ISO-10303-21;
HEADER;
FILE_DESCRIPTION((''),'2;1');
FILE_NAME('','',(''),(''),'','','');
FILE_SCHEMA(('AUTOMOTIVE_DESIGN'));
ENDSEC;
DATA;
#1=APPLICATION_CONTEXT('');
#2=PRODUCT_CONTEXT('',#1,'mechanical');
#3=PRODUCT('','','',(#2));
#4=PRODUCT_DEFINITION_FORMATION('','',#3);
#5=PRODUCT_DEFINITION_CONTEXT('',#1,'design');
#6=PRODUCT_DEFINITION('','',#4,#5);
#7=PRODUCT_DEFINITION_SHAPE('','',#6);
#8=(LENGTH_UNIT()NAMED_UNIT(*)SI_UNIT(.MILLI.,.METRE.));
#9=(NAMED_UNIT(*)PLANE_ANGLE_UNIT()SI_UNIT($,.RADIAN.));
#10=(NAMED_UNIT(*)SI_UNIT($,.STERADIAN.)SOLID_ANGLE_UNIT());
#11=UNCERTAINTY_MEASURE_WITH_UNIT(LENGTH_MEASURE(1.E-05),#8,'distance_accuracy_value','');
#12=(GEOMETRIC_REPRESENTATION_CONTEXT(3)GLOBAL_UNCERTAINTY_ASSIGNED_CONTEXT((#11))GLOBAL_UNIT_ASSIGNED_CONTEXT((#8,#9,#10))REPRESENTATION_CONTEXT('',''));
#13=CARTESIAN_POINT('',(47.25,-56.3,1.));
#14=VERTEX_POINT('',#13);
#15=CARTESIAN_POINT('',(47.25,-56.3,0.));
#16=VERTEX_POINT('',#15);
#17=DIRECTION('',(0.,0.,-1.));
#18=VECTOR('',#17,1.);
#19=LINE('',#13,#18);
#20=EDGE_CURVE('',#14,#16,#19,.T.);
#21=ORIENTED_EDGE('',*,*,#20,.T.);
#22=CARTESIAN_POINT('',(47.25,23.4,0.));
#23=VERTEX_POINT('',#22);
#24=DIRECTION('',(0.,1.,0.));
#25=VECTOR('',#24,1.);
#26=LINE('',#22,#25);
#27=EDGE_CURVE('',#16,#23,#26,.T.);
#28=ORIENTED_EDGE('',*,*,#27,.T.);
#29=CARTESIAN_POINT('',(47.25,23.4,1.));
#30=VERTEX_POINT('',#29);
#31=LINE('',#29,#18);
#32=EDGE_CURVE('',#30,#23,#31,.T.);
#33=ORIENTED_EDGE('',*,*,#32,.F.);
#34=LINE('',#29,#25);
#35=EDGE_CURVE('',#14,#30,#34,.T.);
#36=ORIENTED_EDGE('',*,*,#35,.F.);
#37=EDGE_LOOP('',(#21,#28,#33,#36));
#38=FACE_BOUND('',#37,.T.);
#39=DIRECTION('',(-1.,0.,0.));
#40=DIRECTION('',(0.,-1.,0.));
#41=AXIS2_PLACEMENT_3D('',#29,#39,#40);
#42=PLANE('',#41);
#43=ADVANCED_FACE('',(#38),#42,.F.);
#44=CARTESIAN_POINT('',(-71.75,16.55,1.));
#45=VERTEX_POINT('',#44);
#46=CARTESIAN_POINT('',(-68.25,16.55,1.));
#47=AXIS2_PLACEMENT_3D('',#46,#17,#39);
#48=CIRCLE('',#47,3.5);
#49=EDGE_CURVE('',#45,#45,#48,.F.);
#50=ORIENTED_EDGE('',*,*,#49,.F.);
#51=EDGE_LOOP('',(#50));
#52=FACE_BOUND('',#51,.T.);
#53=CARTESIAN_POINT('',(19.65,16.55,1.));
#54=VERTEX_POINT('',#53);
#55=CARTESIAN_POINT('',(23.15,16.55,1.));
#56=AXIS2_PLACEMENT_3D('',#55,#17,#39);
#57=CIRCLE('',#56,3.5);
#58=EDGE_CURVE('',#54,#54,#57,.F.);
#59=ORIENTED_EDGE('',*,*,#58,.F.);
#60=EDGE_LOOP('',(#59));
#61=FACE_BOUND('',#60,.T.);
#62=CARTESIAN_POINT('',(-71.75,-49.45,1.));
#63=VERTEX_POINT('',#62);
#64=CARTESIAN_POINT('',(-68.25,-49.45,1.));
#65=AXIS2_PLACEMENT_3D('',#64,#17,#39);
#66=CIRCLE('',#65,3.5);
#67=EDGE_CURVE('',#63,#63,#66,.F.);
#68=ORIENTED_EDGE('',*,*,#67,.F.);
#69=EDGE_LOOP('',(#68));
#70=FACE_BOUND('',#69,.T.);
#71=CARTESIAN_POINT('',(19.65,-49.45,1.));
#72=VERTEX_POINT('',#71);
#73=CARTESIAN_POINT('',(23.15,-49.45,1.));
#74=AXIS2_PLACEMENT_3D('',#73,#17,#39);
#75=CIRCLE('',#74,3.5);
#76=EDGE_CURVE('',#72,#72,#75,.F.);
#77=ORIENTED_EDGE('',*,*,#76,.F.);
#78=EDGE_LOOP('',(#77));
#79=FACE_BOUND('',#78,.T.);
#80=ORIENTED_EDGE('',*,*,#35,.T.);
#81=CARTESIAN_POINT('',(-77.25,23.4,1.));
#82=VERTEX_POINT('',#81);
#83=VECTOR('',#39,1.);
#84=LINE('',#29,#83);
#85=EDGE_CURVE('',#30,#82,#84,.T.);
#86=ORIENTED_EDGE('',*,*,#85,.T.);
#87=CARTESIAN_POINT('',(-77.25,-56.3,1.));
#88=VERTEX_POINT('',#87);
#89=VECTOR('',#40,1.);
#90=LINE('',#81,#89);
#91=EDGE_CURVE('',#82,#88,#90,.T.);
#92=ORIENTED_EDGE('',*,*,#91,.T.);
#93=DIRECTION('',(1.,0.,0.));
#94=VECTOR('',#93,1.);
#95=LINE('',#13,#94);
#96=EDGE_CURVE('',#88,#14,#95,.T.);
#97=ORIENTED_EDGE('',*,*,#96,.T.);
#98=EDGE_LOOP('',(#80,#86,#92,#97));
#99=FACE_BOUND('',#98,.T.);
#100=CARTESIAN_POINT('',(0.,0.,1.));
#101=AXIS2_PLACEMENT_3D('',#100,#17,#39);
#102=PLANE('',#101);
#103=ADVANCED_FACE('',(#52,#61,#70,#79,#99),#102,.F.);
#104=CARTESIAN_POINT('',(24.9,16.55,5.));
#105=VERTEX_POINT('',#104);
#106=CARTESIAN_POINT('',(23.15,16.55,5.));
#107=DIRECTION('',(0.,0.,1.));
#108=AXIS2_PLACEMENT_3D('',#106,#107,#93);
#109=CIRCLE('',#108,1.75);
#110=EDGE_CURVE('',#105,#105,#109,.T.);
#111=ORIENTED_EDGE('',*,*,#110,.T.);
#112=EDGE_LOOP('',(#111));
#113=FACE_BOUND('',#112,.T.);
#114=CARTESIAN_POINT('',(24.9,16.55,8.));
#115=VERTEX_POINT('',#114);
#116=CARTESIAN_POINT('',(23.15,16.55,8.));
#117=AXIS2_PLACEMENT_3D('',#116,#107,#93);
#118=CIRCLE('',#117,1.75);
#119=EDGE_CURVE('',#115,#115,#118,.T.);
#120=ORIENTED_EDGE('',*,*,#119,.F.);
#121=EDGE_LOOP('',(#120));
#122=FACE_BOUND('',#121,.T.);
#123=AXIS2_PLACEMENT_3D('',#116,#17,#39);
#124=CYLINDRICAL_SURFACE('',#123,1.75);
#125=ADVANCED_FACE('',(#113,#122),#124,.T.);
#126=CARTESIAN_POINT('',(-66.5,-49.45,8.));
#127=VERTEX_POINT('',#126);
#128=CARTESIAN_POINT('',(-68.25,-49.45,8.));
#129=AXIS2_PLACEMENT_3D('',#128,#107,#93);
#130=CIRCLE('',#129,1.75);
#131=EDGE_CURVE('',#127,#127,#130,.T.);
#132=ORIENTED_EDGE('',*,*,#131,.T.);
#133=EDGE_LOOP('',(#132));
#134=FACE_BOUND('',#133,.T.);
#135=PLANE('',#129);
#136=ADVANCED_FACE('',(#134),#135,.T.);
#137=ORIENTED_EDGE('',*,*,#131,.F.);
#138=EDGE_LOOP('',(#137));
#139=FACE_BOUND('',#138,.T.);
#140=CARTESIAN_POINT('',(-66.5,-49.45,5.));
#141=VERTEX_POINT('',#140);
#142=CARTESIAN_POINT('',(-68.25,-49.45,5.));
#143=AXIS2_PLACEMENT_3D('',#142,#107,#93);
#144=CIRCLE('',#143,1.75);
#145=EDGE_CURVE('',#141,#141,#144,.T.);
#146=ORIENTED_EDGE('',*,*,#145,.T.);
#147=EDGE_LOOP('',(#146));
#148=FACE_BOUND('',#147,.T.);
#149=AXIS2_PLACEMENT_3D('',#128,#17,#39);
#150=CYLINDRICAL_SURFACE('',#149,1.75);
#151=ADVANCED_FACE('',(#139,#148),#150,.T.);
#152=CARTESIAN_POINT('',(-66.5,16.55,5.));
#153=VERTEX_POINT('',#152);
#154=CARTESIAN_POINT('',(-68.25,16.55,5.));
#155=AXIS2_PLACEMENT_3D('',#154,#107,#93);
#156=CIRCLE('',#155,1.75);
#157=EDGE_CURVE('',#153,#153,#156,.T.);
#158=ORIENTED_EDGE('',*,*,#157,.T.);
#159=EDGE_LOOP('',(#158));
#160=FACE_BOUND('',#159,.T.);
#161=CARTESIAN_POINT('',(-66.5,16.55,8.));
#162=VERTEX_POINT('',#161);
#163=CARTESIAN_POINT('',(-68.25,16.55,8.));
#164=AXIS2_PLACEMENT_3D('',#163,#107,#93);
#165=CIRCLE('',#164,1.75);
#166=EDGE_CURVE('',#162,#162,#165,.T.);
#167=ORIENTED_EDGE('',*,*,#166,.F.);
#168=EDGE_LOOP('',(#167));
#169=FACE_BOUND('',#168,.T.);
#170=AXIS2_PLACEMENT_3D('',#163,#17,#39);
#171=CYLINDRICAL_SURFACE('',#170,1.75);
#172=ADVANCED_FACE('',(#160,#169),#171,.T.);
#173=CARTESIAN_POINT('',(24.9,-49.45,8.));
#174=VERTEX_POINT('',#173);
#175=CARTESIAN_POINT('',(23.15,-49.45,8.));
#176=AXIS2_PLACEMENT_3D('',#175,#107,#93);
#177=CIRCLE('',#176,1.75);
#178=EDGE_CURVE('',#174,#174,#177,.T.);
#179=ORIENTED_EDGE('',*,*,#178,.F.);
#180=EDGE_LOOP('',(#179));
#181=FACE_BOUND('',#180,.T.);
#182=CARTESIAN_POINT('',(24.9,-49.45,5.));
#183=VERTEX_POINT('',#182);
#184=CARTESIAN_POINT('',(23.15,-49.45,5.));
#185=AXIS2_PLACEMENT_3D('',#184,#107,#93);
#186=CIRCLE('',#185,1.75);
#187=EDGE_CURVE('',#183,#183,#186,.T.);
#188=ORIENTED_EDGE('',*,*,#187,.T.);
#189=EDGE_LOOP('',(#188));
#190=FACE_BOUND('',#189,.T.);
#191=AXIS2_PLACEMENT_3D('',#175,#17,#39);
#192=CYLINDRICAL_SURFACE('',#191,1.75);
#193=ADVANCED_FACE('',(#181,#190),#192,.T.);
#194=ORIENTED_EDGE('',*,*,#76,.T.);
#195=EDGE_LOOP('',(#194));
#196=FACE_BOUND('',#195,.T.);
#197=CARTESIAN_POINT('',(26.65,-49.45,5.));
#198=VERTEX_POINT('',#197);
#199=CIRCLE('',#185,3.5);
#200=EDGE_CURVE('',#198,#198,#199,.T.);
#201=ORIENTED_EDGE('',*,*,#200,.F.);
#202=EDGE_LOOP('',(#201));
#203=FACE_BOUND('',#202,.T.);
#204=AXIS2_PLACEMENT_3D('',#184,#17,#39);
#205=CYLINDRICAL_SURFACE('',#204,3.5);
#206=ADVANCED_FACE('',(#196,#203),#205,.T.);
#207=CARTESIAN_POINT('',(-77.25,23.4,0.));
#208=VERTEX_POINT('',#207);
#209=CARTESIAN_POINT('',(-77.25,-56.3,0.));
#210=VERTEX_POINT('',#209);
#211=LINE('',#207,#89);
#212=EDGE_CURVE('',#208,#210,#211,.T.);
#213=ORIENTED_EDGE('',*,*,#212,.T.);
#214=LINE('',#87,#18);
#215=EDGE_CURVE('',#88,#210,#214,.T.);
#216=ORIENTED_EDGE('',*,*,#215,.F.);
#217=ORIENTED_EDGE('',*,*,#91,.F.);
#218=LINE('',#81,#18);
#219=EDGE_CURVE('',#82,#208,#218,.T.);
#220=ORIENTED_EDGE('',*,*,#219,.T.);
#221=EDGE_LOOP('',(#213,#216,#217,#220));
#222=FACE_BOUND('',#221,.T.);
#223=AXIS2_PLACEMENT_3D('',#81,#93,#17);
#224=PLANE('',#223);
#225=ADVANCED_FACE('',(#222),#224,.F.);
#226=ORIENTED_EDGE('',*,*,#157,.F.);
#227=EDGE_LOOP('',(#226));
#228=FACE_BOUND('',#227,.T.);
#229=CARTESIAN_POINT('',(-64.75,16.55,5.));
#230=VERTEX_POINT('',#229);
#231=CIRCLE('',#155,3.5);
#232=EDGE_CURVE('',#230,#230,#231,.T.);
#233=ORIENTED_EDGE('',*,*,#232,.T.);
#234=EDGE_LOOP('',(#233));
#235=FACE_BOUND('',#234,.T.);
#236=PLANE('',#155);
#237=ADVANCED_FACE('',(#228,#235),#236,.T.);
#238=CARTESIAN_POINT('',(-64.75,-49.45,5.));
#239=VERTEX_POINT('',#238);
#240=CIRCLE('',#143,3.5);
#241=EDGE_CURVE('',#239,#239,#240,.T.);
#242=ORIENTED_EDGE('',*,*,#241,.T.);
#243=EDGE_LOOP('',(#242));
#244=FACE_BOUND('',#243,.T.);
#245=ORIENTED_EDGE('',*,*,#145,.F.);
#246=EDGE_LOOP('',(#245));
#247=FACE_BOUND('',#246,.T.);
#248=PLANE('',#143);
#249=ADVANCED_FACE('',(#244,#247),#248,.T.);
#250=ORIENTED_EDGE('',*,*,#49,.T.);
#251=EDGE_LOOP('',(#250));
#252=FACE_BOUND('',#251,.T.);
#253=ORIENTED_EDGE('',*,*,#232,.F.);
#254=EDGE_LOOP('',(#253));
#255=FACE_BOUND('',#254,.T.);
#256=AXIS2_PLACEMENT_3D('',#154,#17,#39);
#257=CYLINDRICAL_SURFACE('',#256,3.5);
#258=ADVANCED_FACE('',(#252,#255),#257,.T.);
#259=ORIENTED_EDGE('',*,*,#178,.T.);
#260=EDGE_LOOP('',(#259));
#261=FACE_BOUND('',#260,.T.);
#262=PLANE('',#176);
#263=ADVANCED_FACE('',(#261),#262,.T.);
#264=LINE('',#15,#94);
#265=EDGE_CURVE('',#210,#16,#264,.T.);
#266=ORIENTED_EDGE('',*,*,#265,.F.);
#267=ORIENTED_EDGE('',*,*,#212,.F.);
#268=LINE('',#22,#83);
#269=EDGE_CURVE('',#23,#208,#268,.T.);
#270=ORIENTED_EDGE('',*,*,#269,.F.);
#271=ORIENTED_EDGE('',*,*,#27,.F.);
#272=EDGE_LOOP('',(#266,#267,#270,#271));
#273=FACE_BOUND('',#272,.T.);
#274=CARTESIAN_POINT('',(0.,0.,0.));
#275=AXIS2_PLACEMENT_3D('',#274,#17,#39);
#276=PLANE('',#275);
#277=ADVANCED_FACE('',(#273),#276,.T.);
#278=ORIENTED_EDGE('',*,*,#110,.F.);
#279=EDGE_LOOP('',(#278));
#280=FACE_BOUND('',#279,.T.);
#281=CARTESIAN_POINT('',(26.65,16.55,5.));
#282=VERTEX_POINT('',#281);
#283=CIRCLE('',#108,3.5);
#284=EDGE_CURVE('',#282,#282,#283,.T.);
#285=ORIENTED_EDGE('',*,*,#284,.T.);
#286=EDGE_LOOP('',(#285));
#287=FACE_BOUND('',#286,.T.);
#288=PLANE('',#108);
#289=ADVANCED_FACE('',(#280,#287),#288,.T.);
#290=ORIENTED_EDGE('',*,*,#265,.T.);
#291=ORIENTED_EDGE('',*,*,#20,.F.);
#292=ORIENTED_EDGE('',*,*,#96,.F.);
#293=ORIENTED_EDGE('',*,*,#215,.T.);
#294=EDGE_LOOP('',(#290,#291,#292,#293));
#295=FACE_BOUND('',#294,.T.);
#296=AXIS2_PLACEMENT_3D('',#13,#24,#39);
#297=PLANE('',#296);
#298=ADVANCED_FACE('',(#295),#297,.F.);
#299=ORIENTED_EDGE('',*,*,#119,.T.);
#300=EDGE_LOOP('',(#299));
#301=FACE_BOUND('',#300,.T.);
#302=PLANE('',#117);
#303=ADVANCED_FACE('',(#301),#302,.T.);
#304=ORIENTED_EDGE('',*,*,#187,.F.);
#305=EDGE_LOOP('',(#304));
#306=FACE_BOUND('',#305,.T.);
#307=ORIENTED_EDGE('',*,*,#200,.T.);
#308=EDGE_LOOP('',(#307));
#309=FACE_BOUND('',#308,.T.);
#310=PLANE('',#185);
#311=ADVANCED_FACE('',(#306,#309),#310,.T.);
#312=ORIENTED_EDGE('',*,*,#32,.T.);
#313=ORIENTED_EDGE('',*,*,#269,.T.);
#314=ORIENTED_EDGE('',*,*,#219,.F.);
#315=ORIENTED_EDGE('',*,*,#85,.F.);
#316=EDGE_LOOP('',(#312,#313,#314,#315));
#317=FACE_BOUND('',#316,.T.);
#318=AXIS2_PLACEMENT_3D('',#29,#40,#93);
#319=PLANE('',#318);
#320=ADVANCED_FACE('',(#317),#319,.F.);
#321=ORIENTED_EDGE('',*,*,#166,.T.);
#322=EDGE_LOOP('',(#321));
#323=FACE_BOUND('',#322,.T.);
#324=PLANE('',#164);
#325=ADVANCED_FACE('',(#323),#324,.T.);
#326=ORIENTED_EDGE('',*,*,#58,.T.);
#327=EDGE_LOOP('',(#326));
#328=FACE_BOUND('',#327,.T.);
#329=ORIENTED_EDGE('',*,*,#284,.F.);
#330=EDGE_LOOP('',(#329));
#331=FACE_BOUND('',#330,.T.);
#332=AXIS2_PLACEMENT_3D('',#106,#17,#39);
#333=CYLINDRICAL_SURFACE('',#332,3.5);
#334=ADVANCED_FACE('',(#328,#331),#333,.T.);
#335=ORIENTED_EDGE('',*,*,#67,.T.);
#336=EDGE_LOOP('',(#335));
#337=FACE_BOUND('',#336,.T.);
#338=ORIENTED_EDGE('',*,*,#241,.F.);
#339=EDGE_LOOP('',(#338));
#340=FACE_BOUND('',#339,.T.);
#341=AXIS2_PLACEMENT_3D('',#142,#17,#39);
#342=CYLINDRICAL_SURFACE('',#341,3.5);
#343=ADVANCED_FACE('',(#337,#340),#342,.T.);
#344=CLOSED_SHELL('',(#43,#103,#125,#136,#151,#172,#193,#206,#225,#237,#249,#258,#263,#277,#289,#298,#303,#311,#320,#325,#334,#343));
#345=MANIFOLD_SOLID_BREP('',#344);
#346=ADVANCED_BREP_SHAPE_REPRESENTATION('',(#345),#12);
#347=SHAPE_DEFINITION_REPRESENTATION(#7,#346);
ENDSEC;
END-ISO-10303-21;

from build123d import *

# Parameters (mm, degrees)
SKETCH1_W           = 124.5
SKETCH1_H           = 79.7
BOSS_EXTRUDE1_DEPTH = 1
SKETCH2_R           = 3.5
BOSS_EXTRUDE2_DEPTH = 4
SKETCH3_R           = 1.75
BOSS_EXTRUDE3_DEPTH = 3


with BuildPart() as part:
    # Sketch1 → Boss-Extrude1 (new body)
    with BuildSketch(Plane.XY):
        with Locations((-15, -16.45)):
            Rectangle(SKETCH1_W, SKETCH1_H)
    extrude(amount=BOSS_EXTRUDE1_DEPTH)

    # Sketch2 → Boss-Extrude2 (add)
    with BuildSketch(Plane.XY.offset(1)):
        with Locations(Location((-68.25, 16.55, 0), (0, 0, 180))):
            Circle(SKETCH2_R)
        with Locations(Location((23.15, 16.55, 0), (0, 0, 180))):
            Circle(SKETCH2_R)
        with Locations(Location((23.15, -49.45, 0), (0, 0, 180))):
            Circle(SKETCH2_R)
        with Locations(Location((-68.25, -49.45, 0), (0, 0, 180))):
            Circle(SKETCH2_R)
    extrude(amount=BOSS_EXTRUDE2_DEPTH)

    # Sketch3 → Boss-Extrude3 (add)
    with BuildSketch(Plane.XY.offset(5)):
        with Locations((-68.25, 16.55)):
            Circle(SKETCH3_R)
        with Locations((23.15, 16.55)):
            Circle(SKETCH3_R)
        with Locations((23.15, -49.45)):
            Circle(SKETCH3_R)
        with Locations((-68.25, -49.45)):
            Circle(SKETCH3_R)
    extrude(amount=BOSS_EXTRUDE3_DEPTH)


solid = part.part
